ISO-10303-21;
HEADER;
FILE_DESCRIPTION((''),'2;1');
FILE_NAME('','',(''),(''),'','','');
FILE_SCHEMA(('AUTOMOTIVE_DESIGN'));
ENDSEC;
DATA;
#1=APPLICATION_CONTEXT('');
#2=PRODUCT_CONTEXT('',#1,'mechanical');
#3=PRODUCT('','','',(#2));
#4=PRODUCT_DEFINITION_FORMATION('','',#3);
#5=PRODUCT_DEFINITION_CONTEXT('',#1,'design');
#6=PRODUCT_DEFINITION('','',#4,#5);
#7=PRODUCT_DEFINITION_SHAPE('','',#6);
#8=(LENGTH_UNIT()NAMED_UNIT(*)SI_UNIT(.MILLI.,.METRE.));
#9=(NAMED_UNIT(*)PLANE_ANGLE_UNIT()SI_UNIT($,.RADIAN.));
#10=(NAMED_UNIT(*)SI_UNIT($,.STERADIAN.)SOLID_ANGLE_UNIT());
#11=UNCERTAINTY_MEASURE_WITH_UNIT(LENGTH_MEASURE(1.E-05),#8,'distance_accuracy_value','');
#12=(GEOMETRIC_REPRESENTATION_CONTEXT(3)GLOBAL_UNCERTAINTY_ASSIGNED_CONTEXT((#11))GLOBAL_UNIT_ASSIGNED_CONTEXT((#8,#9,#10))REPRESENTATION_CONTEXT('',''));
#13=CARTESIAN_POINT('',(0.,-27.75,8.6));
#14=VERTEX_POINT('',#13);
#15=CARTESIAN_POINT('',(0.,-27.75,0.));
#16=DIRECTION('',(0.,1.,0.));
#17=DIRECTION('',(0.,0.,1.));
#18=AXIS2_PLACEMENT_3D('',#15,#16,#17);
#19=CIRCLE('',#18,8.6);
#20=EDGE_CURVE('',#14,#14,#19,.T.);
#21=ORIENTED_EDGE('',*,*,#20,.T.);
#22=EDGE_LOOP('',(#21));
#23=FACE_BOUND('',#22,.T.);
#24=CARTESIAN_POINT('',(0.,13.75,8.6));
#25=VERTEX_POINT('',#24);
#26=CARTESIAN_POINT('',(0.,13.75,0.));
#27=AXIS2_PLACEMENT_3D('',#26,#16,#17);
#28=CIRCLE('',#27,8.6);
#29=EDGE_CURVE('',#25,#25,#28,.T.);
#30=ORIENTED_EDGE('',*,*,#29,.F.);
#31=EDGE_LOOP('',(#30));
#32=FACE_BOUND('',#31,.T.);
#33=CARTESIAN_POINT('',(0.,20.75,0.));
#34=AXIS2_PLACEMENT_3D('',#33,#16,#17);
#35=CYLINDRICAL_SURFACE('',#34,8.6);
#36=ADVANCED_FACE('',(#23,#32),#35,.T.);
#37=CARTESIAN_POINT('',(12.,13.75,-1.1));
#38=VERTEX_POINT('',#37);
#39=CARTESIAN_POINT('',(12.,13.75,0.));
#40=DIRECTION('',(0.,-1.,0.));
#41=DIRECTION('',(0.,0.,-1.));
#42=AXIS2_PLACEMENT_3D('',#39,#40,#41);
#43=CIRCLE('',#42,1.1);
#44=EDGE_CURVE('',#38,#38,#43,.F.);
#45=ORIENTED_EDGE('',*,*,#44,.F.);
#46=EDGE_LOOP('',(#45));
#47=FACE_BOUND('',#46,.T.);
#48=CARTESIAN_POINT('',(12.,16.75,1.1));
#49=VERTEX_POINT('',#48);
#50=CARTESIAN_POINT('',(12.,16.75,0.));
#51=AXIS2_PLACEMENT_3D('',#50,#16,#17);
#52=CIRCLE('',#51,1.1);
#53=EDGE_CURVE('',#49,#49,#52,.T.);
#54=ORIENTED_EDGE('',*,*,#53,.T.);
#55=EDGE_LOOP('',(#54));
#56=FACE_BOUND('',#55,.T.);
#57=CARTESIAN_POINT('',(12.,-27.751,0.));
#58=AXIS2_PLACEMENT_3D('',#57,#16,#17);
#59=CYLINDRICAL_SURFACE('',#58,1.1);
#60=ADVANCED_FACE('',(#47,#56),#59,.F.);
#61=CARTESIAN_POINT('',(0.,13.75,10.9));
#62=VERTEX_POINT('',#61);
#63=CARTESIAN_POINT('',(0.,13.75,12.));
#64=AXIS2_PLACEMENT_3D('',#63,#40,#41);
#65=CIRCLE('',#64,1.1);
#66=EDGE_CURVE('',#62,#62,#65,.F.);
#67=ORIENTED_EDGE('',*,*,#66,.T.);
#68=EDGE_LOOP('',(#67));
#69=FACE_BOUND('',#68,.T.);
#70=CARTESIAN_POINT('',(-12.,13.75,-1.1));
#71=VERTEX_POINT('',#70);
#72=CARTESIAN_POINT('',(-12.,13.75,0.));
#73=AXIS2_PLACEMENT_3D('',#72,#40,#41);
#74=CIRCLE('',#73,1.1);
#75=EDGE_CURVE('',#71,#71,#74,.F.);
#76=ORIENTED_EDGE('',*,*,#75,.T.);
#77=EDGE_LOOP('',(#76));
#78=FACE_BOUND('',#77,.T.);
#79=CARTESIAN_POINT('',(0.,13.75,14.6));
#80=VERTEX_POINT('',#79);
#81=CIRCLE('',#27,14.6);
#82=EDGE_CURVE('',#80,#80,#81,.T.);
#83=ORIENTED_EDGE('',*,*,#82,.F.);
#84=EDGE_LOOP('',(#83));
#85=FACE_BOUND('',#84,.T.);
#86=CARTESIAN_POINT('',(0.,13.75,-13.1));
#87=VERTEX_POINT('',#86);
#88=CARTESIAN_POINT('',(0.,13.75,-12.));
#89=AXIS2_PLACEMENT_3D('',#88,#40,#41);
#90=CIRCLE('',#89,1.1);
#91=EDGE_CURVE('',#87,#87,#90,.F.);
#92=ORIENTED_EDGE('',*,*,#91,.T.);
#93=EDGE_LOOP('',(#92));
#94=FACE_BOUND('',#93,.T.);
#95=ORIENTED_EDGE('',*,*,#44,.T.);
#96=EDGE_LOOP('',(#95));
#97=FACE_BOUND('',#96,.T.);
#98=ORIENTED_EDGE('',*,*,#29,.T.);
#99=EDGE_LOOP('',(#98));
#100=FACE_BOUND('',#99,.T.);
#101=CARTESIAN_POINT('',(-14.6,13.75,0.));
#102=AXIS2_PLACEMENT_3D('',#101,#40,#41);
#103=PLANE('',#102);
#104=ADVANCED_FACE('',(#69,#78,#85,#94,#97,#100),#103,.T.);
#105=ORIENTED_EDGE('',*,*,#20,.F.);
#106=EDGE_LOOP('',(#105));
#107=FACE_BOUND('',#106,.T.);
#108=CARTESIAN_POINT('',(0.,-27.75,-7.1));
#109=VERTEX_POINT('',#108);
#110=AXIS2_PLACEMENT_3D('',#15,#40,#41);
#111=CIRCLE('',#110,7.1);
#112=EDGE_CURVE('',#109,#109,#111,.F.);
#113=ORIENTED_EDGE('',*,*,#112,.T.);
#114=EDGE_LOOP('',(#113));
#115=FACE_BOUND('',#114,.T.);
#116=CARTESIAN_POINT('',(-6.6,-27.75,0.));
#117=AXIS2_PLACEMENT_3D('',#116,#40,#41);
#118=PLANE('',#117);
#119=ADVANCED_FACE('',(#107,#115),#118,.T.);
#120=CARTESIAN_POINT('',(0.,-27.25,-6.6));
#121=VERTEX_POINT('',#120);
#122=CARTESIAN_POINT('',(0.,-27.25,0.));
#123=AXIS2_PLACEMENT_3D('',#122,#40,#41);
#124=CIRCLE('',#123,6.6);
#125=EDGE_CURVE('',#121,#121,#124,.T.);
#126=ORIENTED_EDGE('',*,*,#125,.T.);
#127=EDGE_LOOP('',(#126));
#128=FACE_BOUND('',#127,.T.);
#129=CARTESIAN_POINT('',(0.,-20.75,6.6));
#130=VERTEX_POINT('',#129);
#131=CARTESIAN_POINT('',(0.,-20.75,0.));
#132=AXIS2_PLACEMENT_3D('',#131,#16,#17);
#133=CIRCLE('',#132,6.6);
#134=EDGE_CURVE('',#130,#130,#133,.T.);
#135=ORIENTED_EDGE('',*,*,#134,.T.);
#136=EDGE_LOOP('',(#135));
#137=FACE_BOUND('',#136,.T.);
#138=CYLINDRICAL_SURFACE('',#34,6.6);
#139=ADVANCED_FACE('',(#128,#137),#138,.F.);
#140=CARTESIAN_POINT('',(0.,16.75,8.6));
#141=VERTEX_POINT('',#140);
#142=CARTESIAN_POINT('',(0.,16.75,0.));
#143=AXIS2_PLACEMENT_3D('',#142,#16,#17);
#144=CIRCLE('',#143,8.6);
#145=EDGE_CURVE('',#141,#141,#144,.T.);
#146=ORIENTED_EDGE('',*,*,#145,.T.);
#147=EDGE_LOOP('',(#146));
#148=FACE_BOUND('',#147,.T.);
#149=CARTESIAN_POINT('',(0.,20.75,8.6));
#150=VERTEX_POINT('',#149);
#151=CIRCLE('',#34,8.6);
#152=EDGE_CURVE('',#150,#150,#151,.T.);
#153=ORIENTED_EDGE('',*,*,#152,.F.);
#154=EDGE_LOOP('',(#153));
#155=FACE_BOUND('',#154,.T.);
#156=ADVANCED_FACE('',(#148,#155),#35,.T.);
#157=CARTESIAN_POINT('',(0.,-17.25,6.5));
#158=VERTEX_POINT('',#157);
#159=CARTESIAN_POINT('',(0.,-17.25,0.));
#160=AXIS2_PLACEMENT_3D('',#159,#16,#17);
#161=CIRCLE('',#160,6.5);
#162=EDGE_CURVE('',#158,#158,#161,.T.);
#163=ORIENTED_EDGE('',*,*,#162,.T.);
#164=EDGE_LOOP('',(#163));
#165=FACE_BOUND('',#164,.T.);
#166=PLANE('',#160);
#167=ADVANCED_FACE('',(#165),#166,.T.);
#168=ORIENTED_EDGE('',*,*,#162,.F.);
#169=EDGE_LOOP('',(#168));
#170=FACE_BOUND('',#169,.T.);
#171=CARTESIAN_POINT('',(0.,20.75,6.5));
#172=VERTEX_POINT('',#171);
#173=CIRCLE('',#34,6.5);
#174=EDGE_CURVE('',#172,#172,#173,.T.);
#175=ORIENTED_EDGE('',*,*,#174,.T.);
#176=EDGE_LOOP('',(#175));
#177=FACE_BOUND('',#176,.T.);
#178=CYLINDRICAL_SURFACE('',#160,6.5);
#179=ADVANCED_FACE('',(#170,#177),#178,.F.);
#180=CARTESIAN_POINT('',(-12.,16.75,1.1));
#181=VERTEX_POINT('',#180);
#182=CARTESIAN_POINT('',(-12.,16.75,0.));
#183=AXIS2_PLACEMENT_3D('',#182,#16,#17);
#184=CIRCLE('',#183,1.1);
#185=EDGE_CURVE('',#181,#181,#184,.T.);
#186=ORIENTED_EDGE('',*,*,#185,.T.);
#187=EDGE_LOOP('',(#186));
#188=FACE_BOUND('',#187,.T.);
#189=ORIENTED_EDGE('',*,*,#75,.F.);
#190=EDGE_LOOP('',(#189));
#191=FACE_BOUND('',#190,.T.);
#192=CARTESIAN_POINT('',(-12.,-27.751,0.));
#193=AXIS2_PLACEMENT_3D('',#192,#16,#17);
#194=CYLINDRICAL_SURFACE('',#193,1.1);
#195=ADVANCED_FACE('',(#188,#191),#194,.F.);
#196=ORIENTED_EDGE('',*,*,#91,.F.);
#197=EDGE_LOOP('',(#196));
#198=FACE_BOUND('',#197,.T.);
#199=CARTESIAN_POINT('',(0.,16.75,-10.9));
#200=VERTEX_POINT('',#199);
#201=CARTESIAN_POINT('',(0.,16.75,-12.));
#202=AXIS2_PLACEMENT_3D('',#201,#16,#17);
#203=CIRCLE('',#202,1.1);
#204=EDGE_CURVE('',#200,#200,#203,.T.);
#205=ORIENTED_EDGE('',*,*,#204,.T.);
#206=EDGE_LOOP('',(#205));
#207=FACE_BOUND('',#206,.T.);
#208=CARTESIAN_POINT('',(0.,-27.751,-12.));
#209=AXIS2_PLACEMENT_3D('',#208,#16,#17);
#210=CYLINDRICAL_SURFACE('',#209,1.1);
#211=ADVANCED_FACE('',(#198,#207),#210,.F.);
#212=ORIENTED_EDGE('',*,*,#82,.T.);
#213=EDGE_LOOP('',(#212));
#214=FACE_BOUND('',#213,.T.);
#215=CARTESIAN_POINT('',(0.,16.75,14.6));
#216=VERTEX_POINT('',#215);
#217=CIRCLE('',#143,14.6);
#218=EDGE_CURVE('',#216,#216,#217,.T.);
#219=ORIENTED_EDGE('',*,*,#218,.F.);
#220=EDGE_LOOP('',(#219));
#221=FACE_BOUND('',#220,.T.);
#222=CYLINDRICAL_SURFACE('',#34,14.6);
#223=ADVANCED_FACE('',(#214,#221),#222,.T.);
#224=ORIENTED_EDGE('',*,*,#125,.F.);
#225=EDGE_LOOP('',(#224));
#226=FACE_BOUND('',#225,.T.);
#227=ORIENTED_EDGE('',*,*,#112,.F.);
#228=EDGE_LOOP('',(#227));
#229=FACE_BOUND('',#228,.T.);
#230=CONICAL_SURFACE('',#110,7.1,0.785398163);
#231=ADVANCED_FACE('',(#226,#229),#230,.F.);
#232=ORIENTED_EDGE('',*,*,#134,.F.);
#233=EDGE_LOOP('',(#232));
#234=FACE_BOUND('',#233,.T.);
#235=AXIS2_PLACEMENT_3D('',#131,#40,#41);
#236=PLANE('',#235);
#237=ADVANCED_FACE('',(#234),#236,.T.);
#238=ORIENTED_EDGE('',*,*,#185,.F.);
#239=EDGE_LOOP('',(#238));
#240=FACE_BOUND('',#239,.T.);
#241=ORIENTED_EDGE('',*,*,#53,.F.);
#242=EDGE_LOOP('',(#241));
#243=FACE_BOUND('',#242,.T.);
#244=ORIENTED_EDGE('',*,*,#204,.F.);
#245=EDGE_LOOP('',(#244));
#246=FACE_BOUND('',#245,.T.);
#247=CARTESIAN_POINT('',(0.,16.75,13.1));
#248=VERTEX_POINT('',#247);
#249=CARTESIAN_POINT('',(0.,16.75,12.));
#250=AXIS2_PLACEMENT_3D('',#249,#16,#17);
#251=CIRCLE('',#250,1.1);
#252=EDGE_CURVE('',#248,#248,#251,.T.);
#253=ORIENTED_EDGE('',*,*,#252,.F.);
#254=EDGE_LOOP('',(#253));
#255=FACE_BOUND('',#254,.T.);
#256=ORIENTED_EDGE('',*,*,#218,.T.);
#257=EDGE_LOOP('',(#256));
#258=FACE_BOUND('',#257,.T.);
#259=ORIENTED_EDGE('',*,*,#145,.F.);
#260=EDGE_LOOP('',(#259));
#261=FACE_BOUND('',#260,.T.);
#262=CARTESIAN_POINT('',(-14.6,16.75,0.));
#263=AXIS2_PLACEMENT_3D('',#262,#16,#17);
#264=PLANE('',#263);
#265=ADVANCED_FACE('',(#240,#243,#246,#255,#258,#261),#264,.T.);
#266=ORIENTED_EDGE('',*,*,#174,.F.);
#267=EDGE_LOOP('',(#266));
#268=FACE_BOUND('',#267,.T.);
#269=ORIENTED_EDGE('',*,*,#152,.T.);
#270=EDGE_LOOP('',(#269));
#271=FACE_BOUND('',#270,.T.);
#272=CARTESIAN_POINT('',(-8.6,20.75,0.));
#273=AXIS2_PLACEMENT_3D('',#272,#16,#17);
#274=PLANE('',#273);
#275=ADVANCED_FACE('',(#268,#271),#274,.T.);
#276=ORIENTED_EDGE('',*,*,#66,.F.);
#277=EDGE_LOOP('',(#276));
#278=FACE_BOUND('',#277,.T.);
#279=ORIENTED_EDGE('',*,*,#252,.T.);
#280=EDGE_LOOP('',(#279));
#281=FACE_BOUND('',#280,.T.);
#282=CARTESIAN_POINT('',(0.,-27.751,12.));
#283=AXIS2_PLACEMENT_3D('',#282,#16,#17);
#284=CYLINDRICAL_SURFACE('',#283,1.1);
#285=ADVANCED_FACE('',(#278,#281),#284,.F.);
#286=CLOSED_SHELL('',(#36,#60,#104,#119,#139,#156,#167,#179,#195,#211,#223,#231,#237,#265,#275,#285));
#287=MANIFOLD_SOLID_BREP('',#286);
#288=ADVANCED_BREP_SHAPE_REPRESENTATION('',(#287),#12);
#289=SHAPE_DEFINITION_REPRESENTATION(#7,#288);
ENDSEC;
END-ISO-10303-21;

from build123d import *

# Parameters (mm, degrees)
CHAMFER1_SIZE      = 0.5
CUT_EXTRUDE1_REACH = 46.5
SKETCH2_R          = 1.1
SKETCH3_R          = 6.5
CUT_EXTRUDE2_DEPTH = 38


with BuildPart() as part:
    # Sketch1 → Revolve1 (revolve)
    with BuildSketch(Plane.XY):
        Polygon((-8.6, 20.75), (0, 20.75), (0, -20.75), (-6.6, -20.75), (-6.6, -27.75), (-8.6, -27.75), (-8.6, 13.75), (-14.6, 13.75), (-14.6, 16.75), (-8.6, 16.75), align=None)
    revolve(axis=Axis((0, 20.75, 0), (0, -1, 0)))

    # Chamfer1
    chamfer1_edges = [part.edges().sort_by_distance(p)[0] for p in [
        (6.6, -27.75, 0),
    ]]
    chamfer(chamfer1_edges, length=CHAMFER1_SIZE)

    # Sketch2 → Cut-Extrude1 (cut, up to next)
    with BuildSketch(Plane(origin=(0, 16.75, 0), x_dir=(1, 0, 0), z_dir=(0, 1, 0)), mode=Mode.PRIVATE) as cut_extrude1_sk1:
        with Locations((0, 12)):
            Circle(SKETCH2_R)
    cut_extrude1_tool1 = extrude(cut_extrude1_sk1.sketch, amount=-CUT_EXTRUDE1_REACH, mode=Mode.PRIVATE) & part.part
    add(cut_extrude1_tool1.solids().sort_by_distance((0, 16.75, -12))[0], mode=Mode.SUBTRACT)
    # Sketch2 → Cut-Extrude1 (cut, up to next)
    with BuildSketch(Plane(origin=(0, 16.75, 0), x_dir=(1, 0, 0), z_dir=(0, 1, 0)), mode=Mode.PRIVATE) as cut_extrude1_sk2:
        with Locations((12, 0)):
            Circle(SKETCH2_R)
    cut_extrude1_tool2 = extrude(cut_extrude1_sk2.sketch, amount=-CUT_EXTRUDE1_REACH, mode=Mode.PRIVATE) & part.part
    add(cut_extrude1_tool2.solids().sort_by_distance((12, 16.75, 0))[0], mode=Mode.SUBTRACT)
    # Sketch2 → Cut-Extrude1 (cut, up to next)
    with BuildSketch(Plane(origin=(0, 16.75, 0), x_dir=(1, 0, 0), z_dir=(0, 1, 0)), mode=Mode.PRIVATE) as cut_extrude1_sk3:
        with Locations((0, -12)):
            Circle(SKETCH2_R)
    cut_extrude1_tool3 = extrude(cut_extrude1_sk3.sketch, amount=-CUT_EXTRUDE1_REACH, mode=Mode.PRIVATE) & part.part
    add(cut_extrude1_tool3.solids().sort_by_distance((0, 16.75, 12))[0], mode=Mode.SUBTRACT)
    # Sketch2 → Cut-Extrude1 (cut, up to next)
    with BuildSketch(Plane(origin=(0, 16.75, 0), x_dir=(1, 0, 0), z_dir=(0, 1, 0)), mode=Mode.PRIVATE) as cut_extrude1_sk4:
        with Locations((-12, 0)):
            Circle(SKETCH2_R)
    cut_extrude1_tool4 = extrude(cut_extrude1_sk4.sketch, amount=-CUT_EXTRUDE1_REACH, mode=Mode.PRIVATE) & part.part
    add(cut_extrude1_tool4.solids().sort_by_distance((-12, 16.75, 0))[0], mode=Mode.SUBTRACT)

    # Sketch3 → Cut-Extrude2 (cut)
    with BuildSketch(Plane(origin=(0, 20.75, 0), x_dir=(1, 0, 0), z_dir=(0, 1, 0))):
        Circle(SKETCH3_R)
    extrude(amount=-CUT_EXTRUDE2_DEPTH, mode=Mode.SUBTRACT)


solid = part.part
